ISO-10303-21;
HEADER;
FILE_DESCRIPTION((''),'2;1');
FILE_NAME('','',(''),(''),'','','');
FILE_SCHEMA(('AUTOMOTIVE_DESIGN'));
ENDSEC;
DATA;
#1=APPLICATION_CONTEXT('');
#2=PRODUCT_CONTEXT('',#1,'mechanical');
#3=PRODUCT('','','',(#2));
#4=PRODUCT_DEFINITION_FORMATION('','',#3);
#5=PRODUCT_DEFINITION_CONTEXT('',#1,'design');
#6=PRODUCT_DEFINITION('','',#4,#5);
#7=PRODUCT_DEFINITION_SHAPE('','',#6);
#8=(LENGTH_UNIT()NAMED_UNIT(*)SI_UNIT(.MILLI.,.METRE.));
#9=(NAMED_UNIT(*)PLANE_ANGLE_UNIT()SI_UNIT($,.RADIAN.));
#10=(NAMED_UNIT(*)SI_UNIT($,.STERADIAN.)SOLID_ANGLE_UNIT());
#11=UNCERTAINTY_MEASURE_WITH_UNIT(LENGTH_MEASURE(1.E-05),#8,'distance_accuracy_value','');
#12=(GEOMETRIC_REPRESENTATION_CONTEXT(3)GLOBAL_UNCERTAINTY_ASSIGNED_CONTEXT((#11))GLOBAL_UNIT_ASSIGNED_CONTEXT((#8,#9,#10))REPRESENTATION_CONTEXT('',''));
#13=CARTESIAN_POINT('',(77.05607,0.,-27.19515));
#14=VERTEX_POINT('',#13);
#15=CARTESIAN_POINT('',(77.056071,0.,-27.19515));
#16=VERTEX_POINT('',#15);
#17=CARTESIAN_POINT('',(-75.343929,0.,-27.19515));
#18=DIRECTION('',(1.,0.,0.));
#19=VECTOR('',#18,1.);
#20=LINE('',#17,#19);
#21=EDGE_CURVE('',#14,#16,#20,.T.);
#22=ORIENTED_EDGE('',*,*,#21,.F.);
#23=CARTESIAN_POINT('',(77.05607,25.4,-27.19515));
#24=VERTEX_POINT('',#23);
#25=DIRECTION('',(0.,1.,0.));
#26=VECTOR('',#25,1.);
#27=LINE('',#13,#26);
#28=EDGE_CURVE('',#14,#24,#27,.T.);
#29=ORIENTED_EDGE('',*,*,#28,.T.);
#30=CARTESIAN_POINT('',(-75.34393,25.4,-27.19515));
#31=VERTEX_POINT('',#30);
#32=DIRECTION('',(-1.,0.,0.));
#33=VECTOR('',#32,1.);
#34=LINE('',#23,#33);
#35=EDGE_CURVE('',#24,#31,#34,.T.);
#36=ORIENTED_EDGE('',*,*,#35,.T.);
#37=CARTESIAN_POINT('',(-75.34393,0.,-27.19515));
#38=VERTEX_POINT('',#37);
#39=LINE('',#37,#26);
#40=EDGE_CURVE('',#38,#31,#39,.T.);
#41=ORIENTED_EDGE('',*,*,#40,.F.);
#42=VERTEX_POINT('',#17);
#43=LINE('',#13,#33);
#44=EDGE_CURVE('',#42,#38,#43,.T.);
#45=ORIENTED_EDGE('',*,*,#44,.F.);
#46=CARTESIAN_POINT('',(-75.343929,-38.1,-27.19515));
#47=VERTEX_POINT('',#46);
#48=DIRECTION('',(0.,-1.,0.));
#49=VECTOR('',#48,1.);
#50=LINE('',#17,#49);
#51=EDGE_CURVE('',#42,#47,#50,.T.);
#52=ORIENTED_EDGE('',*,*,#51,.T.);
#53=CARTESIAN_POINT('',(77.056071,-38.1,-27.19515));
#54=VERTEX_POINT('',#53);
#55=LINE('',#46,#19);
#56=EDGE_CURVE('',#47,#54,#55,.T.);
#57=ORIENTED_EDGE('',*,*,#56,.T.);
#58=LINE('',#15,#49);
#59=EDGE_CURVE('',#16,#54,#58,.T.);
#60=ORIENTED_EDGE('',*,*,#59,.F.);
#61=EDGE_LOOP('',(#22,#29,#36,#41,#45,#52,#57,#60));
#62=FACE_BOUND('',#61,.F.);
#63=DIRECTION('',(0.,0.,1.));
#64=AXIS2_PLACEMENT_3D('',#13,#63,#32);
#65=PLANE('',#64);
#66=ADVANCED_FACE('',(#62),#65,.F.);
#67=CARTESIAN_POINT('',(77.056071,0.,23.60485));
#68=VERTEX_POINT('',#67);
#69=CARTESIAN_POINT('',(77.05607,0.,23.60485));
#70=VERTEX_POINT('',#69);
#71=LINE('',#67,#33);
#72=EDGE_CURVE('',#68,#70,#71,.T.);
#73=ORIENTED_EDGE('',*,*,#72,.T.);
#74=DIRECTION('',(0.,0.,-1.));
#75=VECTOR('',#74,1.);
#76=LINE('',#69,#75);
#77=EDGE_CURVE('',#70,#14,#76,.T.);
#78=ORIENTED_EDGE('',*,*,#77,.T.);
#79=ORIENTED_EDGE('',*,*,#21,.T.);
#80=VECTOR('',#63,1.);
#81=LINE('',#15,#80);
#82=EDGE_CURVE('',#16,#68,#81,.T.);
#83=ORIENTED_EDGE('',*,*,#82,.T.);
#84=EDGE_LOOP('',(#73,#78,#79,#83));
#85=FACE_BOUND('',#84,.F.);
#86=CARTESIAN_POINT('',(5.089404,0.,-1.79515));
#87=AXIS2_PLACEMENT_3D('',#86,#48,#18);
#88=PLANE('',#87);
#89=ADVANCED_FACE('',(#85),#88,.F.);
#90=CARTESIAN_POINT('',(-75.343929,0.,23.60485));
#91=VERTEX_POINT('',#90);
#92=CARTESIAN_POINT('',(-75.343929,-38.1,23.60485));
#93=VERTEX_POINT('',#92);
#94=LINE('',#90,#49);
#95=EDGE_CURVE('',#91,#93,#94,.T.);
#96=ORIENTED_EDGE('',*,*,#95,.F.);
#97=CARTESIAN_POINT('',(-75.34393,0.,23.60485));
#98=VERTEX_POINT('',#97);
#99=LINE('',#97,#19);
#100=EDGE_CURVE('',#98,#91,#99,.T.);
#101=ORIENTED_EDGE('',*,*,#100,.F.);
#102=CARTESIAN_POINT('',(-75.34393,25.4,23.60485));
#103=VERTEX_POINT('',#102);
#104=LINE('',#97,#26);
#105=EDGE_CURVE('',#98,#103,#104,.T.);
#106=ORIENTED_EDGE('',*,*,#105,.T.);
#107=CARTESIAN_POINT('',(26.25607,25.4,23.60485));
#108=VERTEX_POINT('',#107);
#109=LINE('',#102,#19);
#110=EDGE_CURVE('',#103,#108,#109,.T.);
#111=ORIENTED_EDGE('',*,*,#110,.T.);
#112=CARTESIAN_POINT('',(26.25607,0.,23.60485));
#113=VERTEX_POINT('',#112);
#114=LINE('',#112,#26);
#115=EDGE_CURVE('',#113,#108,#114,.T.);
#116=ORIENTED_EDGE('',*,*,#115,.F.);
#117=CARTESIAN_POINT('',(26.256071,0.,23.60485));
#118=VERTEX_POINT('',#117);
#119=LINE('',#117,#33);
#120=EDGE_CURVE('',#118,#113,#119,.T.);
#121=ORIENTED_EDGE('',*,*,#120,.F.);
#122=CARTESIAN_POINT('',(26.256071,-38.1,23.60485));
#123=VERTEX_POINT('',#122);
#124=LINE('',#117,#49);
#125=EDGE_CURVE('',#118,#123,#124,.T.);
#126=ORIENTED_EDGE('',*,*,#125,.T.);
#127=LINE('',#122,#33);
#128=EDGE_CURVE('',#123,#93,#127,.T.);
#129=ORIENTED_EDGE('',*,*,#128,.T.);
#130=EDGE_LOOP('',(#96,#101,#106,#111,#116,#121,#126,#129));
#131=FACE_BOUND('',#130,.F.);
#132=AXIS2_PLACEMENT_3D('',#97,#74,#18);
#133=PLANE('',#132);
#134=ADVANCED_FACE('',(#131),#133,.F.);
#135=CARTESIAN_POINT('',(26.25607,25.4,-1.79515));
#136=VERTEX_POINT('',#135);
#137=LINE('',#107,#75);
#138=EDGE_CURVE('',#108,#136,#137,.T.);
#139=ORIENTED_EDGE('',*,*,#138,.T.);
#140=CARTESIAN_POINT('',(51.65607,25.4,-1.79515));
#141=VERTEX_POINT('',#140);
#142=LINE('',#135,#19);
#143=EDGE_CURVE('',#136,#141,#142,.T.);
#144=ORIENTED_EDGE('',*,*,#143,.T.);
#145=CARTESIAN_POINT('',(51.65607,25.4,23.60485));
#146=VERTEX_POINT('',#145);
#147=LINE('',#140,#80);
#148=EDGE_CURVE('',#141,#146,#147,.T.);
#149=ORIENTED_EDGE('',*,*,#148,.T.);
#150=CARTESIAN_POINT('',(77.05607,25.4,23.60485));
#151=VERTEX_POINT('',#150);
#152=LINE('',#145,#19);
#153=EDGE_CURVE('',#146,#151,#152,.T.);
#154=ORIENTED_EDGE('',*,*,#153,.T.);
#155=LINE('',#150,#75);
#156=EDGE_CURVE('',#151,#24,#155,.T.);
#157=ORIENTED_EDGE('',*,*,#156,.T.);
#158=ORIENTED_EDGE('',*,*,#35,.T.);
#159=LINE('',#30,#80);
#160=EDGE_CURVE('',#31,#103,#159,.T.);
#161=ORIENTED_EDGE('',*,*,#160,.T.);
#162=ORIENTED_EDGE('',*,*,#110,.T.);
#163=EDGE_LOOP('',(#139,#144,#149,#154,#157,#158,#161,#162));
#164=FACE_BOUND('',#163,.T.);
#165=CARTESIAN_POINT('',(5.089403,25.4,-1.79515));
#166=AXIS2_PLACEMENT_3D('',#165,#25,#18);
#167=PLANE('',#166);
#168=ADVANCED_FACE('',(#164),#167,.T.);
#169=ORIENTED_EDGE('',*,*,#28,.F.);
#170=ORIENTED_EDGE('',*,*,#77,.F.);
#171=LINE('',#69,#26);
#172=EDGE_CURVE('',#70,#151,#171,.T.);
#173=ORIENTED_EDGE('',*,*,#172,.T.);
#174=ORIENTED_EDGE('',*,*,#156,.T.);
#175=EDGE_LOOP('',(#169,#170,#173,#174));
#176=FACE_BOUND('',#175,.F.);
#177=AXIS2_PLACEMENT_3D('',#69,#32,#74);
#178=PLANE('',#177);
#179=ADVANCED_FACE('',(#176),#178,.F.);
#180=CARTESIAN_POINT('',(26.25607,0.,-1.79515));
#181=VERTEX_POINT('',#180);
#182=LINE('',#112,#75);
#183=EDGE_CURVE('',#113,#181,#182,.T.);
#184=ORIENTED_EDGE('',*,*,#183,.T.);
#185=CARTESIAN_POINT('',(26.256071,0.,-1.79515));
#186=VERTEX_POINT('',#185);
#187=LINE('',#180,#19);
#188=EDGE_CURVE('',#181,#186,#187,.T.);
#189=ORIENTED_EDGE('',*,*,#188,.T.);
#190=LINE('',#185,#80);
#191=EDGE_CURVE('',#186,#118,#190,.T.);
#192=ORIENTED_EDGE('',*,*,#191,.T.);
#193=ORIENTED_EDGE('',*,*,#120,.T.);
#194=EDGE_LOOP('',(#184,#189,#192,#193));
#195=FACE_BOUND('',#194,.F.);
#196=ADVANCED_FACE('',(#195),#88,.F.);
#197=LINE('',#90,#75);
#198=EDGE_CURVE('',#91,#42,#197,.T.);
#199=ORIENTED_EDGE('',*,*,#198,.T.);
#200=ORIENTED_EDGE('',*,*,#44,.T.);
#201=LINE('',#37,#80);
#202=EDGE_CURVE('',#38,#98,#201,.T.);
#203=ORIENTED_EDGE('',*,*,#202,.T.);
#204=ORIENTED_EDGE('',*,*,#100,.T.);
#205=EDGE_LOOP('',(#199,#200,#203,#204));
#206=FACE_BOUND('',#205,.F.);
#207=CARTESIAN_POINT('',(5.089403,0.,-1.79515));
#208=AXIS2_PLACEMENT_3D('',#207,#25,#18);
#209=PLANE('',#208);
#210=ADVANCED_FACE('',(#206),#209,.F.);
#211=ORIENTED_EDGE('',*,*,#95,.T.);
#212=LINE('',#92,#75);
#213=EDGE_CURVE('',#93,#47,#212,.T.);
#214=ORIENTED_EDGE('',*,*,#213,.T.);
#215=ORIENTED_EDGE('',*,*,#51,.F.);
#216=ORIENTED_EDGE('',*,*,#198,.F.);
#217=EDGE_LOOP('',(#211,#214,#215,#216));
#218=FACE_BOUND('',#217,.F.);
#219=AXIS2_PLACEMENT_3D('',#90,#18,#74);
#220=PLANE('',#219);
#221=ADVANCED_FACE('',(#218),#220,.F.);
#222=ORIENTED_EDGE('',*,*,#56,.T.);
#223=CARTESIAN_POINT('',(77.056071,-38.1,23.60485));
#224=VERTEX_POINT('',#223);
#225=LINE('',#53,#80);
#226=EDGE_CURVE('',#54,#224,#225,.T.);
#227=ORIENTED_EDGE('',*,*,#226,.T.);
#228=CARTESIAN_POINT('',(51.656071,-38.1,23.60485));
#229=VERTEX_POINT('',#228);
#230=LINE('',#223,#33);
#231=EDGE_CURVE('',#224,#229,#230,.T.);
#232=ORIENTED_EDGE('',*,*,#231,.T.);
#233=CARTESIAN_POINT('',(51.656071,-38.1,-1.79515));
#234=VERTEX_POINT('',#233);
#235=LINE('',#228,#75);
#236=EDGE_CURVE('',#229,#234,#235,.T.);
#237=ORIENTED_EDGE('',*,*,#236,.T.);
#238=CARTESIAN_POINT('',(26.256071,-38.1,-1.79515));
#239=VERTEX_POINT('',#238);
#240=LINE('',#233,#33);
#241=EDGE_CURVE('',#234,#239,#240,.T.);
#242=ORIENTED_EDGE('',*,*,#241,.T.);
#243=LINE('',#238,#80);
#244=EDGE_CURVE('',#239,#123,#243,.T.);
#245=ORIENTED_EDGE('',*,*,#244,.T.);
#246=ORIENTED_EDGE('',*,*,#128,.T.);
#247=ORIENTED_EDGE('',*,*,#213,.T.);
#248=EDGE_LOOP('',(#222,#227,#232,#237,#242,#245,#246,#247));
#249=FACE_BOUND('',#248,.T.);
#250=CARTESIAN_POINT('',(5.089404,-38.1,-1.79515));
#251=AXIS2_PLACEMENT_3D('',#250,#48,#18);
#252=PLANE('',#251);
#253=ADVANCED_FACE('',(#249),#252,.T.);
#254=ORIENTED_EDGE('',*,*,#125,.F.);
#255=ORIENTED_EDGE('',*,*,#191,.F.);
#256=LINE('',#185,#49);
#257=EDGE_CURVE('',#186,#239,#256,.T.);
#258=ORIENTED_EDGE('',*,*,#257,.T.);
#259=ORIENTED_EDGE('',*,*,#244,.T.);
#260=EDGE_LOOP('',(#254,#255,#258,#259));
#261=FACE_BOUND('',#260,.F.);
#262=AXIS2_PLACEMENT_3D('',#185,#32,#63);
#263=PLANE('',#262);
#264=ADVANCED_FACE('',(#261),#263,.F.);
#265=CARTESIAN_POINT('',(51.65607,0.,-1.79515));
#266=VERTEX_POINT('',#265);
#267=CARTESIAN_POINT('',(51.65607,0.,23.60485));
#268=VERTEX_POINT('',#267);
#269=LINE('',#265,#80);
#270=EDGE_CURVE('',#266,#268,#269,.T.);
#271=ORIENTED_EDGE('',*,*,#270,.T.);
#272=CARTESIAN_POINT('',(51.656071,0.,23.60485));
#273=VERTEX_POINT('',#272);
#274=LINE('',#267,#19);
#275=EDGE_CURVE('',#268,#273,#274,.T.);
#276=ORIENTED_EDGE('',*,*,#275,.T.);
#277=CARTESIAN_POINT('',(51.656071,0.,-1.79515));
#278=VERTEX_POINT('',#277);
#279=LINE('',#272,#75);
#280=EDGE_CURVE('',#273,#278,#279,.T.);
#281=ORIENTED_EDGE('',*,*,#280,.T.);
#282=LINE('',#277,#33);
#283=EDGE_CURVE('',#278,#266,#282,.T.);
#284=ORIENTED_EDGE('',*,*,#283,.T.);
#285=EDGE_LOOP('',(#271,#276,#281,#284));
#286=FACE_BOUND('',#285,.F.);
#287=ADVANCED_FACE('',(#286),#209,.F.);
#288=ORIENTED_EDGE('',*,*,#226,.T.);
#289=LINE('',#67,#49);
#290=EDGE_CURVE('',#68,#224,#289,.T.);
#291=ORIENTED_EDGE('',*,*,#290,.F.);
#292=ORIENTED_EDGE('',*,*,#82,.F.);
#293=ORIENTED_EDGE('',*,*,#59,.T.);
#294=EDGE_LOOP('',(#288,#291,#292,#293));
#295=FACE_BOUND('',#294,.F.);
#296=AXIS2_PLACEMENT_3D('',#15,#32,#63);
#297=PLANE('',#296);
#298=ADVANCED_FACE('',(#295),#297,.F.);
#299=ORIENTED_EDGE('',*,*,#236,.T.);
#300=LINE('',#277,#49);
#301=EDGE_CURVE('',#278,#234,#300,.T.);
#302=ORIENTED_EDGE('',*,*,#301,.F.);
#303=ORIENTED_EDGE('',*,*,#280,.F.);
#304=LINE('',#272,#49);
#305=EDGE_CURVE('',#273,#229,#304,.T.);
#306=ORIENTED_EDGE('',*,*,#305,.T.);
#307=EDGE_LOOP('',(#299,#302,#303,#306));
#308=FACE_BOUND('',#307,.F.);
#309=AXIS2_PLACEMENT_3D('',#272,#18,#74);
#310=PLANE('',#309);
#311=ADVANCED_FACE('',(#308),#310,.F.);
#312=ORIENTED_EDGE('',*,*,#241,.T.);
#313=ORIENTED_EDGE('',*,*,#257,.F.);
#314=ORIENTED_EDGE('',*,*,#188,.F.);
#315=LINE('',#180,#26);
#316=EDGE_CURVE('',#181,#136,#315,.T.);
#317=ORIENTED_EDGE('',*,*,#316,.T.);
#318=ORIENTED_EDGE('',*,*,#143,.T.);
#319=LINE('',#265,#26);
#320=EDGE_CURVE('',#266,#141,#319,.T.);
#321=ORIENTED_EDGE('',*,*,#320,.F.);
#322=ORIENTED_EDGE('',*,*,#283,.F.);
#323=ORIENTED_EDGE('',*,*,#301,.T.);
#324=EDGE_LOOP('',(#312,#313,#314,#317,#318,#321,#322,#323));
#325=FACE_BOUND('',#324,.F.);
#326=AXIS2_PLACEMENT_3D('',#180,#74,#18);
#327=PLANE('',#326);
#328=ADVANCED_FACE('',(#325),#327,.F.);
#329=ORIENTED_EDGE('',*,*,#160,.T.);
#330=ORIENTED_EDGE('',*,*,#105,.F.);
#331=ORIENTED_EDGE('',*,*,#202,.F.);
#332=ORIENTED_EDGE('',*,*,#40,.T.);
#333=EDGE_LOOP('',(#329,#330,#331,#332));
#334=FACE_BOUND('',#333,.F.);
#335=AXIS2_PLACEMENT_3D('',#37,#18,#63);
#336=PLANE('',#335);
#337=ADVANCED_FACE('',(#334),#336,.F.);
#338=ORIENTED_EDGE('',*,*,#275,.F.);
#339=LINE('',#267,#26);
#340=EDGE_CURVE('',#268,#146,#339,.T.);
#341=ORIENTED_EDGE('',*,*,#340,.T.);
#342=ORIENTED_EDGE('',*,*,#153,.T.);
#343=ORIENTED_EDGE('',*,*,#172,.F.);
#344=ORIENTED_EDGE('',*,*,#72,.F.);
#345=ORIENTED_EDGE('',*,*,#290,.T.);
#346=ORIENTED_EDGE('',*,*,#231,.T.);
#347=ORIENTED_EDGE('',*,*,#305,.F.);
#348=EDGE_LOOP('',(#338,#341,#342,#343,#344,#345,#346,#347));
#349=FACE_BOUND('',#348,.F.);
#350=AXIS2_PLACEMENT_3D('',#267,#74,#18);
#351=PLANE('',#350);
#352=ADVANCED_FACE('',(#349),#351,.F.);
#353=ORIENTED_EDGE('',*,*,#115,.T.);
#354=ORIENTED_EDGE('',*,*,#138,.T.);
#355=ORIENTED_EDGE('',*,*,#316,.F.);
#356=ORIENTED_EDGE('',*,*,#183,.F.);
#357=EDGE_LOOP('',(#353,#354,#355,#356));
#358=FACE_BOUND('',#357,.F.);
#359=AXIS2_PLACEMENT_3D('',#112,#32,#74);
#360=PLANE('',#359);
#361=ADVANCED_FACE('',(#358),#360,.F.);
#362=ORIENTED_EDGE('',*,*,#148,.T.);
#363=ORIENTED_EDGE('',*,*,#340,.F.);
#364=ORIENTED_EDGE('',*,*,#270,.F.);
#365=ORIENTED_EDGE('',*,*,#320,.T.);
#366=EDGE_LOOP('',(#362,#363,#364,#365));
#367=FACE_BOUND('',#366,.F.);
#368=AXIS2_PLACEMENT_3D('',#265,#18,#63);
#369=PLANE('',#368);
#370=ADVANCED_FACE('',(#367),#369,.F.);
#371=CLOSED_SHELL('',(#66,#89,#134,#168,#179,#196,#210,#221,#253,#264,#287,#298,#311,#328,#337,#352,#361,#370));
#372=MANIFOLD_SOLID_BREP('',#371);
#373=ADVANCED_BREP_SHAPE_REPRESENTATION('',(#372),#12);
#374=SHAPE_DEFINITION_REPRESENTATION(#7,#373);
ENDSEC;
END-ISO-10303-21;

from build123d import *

# Parameters (mm, degrees)
F1_DEPTH = 38.1
F2_DEPTH = 25.4


with BuildPart() as f1:
    # F0 (on Front) → F1 (new body)
    with BuildSketch(Plane.XZ):
        Polygon((-75.343929, 23.60485), (-75.343929, -27.19515), (77.056071, -27.19515), (77.056071, 23.60485), (51.656071, 23.60485), (51.656071, -1.79515), (26.256071, -1.79515), (26.256071, 23.60485), align=None)
    extrude(amount=F1_DEPTH)

    # F1_face (on face) → F2 (join)
    with BuildSketch(Plane(origin=(-2.607566, 0, -2.949695), x_dir=(1, 0, 0), z_dir=(0, 1, 0))):
        Polygon((-72.736364, 24.245455), (-72.736364, -26.554545), (28.863636, -26.554545), (28.863636, -1.154545), (54.263636, -1.154545), (54.263636, -26.554545), (79.663636, -26.554545), (79.663636, 24.245455), align=None)
    extrude(amount=F2_DEPTH)


solid = f1.part
